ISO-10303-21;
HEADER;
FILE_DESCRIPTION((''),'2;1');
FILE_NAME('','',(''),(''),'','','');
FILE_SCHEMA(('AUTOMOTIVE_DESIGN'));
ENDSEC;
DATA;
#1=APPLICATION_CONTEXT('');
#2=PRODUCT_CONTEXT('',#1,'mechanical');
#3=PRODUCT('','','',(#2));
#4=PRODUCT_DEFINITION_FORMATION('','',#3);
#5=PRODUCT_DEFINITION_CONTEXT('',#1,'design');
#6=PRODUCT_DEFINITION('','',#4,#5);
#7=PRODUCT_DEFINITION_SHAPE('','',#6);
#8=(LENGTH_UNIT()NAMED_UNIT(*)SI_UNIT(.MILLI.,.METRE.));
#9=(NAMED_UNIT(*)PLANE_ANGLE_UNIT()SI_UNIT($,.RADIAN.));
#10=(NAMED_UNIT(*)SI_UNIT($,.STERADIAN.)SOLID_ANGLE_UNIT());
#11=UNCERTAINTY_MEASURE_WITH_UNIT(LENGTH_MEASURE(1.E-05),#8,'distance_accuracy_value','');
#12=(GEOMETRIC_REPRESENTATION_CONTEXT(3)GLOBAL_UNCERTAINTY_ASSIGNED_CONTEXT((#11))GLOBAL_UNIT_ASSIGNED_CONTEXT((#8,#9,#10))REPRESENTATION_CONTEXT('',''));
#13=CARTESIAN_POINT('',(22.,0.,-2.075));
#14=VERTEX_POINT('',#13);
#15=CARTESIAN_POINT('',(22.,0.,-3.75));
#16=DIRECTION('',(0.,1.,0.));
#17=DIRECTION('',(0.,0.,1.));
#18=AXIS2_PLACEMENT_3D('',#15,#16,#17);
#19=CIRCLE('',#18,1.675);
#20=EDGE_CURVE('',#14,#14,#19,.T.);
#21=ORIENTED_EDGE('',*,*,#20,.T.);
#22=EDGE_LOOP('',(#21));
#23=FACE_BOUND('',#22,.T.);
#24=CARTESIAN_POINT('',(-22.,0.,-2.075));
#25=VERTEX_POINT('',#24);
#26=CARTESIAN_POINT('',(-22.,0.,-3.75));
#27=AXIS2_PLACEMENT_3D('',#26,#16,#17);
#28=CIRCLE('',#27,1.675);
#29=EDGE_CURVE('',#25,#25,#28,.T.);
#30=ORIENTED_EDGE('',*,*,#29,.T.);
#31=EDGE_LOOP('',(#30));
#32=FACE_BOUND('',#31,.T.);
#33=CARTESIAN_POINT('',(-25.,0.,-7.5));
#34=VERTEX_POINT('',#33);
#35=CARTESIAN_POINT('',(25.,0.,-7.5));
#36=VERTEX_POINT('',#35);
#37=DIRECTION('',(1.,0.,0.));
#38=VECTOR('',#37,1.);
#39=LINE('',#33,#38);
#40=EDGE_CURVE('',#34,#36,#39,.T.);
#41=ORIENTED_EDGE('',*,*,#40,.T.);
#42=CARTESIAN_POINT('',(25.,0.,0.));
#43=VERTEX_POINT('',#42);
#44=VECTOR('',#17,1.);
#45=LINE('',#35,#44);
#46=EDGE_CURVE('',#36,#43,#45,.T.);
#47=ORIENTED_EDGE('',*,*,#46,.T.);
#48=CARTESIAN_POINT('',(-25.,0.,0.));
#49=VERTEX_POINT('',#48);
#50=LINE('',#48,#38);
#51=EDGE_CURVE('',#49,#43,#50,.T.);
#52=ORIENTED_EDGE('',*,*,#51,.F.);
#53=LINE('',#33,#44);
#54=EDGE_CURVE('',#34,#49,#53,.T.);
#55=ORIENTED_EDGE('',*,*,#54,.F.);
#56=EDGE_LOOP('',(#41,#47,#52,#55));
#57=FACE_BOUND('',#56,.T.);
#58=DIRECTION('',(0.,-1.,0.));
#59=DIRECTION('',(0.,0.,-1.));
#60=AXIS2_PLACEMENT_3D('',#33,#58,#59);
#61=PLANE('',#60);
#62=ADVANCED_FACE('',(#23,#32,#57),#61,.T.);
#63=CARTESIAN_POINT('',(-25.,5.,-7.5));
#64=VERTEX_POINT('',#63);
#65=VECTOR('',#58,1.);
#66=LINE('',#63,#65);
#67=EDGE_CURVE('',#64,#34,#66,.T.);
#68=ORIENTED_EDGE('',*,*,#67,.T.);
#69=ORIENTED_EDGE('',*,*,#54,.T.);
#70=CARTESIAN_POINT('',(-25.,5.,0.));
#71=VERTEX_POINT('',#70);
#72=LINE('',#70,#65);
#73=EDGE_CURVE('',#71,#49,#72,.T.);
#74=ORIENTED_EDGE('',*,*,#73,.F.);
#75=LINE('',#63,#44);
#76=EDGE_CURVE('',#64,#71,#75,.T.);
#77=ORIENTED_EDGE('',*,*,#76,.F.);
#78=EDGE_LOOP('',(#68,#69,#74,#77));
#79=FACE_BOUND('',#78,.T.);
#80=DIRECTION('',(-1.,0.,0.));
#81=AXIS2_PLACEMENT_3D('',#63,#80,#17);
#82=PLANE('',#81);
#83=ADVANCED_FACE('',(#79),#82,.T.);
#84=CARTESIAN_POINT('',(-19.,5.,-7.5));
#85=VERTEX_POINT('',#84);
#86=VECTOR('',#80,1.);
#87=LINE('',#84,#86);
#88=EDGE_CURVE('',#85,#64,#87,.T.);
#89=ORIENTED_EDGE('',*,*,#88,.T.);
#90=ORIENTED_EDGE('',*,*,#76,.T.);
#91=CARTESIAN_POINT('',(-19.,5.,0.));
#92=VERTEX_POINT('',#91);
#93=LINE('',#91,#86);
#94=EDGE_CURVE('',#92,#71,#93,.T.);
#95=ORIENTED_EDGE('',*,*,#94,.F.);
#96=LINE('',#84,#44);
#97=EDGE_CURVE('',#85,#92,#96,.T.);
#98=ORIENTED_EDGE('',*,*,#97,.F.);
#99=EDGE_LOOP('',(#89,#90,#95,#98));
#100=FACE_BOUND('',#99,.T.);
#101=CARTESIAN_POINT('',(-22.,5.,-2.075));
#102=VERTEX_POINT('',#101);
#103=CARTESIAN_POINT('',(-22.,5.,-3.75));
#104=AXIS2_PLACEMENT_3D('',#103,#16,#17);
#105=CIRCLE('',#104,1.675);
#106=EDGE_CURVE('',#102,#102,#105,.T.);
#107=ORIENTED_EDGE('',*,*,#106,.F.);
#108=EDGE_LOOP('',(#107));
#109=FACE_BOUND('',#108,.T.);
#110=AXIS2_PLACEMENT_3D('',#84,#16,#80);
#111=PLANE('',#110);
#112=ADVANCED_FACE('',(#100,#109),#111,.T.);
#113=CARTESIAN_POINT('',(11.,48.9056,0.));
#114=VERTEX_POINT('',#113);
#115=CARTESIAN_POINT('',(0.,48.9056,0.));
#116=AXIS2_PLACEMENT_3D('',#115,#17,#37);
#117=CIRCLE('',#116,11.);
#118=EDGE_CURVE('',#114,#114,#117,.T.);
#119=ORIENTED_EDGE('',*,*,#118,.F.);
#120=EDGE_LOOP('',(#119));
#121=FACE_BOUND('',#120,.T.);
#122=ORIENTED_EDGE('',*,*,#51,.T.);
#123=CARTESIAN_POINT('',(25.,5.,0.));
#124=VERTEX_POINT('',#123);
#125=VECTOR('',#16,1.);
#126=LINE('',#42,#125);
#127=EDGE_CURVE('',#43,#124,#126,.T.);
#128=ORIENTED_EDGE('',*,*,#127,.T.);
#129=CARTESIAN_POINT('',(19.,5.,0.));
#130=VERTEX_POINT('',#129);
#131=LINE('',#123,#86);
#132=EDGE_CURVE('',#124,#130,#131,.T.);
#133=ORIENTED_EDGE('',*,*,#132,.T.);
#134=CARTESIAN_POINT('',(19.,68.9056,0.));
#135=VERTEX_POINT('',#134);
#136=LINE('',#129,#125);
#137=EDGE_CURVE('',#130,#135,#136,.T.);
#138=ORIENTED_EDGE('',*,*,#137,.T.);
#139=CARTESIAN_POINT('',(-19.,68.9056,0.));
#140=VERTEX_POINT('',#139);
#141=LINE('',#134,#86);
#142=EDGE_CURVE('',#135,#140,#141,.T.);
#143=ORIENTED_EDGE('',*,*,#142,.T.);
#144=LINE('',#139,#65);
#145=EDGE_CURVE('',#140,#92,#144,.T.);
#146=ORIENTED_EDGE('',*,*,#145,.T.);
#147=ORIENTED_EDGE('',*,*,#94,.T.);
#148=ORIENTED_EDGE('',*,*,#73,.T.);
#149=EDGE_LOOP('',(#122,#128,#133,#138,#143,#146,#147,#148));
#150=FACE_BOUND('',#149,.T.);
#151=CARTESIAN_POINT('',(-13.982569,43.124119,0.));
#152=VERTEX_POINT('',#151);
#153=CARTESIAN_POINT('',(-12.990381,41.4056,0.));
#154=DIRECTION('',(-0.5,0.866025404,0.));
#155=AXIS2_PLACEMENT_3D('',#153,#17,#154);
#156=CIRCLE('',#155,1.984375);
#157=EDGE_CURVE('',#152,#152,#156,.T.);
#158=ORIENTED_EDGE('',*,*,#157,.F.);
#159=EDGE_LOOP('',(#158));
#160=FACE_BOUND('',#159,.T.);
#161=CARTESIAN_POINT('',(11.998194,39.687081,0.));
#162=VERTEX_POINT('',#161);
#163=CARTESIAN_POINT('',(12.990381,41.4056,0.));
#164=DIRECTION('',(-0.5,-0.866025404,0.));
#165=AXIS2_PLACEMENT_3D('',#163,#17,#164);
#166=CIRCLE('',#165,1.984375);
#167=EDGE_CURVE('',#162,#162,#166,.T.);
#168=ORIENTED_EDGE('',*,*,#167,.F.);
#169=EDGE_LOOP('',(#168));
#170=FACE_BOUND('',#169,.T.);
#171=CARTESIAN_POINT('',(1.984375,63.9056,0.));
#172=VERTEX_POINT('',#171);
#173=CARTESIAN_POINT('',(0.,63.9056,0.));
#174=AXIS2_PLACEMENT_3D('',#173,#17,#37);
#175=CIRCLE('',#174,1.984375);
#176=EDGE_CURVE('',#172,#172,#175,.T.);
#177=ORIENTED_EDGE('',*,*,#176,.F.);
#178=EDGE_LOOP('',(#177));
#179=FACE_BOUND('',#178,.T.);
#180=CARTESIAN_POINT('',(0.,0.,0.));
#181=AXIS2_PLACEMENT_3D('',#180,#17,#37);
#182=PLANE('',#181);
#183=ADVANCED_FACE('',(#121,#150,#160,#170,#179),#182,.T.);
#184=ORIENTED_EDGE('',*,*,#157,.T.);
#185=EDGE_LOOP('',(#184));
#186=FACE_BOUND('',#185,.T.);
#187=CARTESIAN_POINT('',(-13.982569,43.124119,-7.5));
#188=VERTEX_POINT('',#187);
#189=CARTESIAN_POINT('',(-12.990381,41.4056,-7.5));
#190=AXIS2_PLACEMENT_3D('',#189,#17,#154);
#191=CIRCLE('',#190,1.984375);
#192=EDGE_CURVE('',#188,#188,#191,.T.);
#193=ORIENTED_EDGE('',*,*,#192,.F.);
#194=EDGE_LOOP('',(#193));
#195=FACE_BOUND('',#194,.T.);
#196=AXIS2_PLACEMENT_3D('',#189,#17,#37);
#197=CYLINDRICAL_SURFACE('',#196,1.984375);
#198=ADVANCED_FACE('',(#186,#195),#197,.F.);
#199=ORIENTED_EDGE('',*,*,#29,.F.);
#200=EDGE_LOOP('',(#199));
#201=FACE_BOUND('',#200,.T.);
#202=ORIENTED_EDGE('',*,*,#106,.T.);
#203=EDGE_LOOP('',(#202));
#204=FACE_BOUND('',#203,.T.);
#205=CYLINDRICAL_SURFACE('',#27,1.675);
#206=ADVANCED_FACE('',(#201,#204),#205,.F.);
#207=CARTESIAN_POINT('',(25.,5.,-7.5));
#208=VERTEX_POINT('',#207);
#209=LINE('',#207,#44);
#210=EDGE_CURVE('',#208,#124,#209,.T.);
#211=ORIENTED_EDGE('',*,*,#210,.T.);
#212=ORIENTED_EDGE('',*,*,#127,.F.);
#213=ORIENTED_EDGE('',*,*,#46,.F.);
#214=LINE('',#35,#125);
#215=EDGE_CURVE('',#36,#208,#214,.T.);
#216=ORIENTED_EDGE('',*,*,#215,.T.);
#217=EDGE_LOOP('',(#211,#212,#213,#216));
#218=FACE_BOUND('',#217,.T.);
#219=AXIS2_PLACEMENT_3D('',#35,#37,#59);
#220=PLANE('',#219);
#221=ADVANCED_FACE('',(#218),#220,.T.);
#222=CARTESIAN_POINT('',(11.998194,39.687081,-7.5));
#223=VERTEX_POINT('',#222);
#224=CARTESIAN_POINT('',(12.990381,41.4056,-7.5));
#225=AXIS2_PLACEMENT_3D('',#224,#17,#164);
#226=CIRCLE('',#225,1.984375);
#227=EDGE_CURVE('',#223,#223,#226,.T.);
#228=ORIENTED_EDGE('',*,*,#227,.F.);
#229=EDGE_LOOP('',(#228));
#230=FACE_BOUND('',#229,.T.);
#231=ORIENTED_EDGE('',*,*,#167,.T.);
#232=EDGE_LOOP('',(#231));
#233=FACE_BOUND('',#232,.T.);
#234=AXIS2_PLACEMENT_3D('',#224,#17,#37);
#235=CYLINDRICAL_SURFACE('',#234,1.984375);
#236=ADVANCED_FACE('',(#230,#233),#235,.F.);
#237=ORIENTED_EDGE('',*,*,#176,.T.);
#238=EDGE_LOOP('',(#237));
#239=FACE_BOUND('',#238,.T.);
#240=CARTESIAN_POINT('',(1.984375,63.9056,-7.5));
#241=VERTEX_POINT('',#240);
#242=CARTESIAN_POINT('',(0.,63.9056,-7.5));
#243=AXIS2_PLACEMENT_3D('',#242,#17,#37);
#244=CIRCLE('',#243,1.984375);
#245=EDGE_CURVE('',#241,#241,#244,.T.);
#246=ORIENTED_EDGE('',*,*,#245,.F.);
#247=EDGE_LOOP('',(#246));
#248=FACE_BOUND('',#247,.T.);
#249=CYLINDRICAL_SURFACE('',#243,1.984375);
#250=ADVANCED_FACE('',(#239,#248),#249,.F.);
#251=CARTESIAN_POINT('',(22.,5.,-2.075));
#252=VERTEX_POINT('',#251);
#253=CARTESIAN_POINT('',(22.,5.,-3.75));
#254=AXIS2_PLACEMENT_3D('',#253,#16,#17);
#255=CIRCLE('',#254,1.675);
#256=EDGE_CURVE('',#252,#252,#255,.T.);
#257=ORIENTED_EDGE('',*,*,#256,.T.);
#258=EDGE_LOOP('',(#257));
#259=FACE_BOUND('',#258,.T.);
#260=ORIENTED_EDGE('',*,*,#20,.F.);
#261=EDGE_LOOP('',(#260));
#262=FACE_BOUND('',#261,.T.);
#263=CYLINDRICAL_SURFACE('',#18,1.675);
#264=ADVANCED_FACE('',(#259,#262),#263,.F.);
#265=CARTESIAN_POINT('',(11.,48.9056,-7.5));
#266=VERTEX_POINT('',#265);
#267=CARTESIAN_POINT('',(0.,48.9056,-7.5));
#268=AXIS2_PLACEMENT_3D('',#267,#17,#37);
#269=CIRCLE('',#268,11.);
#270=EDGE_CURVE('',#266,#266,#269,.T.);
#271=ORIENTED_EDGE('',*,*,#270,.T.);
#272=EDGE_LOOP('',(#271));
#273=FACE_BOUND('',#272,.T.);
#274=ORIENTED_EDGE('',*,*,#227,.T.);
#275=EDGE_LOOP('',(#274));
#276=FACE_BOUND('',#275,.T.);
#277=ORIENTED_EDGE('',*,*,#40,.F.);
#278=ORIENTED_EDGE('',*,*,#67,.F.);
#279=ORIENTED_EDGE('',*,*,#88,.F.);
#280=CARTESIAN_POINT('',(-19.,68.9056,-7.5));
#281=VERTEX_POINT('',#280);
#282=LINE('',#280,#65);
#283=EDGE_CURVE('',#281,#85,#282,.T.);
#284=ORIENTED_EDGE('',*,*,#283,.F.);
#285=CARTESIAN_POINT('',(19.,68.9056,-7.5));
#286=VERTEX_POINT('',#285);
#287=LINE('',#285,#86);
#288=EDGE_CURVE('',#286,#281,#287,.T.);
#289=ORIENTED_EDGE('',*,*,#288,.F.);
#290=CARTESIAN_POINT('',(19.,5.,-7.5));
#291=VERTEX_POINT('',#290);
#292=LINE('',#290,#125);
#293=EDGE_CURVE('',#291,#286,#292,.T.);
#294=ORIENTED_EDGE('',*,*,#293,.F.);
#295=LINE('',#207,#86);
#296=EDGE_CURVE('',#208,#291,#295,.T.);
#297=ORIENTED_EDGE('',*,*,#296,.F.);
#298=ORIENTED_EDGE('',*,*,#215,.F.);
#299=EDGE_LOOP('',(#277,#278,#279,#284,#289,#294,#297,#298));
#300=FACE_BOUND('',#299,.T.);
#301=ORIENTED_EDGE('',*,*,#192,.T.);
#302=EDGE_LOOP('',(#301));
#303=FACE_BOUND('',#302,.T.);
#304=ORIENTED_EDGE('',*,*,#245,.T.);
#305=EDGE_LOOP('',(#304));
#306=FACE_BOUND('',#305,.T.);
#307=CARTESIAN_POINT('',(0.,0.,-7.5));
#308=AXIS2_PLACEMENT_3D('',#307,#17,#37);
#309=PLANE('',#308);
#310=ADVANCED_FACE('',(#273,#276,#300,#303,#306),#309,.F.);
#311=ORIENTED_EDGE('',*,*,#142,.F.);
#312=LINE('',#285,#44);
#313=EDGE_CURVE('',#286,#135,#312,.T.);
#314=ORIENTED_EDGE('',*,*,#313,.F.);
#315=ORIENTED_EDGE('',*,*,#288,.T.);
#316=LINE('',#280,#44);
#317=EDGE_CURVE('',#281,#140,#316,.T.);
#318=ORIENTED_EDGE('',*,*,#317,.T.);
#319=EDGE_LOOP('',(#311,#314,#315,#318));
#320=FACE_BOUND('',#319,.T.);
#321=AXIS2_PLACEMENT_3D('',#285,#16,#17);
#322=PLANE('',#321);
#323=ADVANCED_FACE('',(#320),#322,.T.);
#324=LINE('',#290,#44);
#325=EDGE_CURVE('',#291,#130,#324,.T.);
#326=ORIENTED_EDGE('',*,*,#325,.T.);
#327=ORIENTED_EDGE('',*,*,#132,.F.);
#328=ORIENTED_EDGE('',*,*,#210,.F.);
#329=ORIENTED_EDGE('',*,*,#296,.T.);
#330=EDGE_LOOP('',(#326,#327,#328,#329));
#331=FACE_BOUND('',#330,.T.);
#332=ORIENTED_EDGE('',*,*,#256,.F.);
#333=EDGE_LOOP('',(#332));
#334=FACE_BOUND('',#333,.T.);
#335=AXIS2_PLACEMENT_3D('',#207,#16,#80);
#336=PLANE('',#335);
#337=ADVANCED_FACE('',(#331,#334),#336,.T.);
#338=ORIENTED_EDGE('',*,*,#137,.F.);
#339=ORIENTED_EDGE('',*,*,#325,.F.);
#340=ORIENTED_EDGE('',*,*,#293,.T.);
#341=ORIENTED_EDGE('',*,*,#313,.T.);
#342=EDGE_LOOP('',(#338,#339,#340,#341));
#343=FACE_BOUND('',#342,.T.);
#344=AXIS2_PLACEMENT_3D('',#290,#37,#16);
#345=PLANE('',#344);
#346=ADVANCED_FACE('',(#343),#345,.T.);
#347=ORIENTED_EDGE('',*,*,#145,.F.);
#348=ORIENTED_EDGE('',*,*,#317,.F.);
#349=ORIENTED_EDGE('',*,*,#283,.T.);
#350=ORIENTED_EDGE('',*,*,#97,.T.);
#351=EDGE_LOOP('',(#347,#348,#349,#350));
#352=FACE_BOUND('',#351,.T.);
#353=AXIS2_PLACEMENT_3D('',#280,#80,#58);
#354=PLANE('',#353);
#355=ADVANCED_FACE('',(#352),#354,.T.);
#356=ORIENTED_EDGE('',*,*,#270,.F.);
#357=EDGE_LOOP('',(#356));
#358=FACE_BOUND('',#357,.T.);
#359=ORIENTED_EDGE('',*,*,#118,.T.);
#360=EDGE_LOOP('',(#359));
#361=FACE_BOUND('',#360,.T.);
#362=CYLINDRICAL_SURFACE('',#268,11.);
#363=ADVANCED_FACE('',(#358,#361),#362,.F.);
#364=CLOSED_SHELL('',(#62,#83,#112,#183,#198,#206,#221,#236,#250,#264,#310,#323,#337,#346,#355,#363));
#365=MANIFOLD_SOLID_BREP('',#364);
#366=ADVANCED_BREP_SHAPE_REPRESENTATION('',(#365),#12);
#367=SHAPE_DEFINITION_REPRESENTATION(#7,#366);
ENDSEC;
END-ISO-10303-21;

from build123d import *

# Parameters (mm, degrees)
SKETCH2_R           = 11
BOSS_EXTRUDE1_DEPTH = 7.5
SKETCH5_R           = 1.984375
CUT_EXTRUDE3_DEPTH  = 74.683320442
CIRPATTERN1_COUNT   = 3
SKETCH6_R           = 1.675
CUT_EXTRUDE4_DEPTH  = 70.030252146


with BuildPart() as part:
    # Sketch2 → Boss-Extrude1 (new body)
    with BuildSketch(Plane.XY):
        Polygon((-25, 0), (25, 0), (25, 5), (19, 5), (19, 68.9056), (-19, 68.9056), (-19, 5), (-25, 5), align=None)
        with Locations((0, 48.9056)):
            Circle(SKETCH2_R, mode=Mode.SUBTRACT)
    extrude(amount=-BOSS_EXTRUDE1_DEPTH)

    # Sketch5 → Cut-Extrude3 (cut, through all)
    with BuildSketch(Plane.XY):
        with Locations((0, 63.9056)):
            Circle(SKETCH5_R)
    cut_extrude3 = extrude(amount=-CUT_EXTRUDE3_DEPTH, mode=Mode.SUBTRACT)

    # CirPattern1: Cut-Extrude3 ×3 about axis
    cirpattern1_axis = Axis((0, 48.9056, 0), (0, 0, 1))
    for i in range(1, CIRPATTERN1_COUNT):
        add(cut_extrude3.rotate(cirpattern1_axis, i * 360 / CIRPATTERN1_COUNT), mode=Mode.SUBTRACT)

    # Sketch6 → Cut-Extrude4 (cut, through all)
    with BuildSketch(Plane(origin=(0, 5, 0), x_dir=(1, 0, 0), z_dir=(0, 1, 0))):
        with Locations(Location((22, 3.75, 0), (0, 0, 270))):
            Circle(SKETCH6_R)
        with Locations(Location((-22, 3.75, 0), (0, 0, 270))):
            Circle(SKETCH6_R)
    extrude(amount=-CUT_EXTRUDE4_DEPTH, mode=Mode.SUBTRACT)


solid = part.part
